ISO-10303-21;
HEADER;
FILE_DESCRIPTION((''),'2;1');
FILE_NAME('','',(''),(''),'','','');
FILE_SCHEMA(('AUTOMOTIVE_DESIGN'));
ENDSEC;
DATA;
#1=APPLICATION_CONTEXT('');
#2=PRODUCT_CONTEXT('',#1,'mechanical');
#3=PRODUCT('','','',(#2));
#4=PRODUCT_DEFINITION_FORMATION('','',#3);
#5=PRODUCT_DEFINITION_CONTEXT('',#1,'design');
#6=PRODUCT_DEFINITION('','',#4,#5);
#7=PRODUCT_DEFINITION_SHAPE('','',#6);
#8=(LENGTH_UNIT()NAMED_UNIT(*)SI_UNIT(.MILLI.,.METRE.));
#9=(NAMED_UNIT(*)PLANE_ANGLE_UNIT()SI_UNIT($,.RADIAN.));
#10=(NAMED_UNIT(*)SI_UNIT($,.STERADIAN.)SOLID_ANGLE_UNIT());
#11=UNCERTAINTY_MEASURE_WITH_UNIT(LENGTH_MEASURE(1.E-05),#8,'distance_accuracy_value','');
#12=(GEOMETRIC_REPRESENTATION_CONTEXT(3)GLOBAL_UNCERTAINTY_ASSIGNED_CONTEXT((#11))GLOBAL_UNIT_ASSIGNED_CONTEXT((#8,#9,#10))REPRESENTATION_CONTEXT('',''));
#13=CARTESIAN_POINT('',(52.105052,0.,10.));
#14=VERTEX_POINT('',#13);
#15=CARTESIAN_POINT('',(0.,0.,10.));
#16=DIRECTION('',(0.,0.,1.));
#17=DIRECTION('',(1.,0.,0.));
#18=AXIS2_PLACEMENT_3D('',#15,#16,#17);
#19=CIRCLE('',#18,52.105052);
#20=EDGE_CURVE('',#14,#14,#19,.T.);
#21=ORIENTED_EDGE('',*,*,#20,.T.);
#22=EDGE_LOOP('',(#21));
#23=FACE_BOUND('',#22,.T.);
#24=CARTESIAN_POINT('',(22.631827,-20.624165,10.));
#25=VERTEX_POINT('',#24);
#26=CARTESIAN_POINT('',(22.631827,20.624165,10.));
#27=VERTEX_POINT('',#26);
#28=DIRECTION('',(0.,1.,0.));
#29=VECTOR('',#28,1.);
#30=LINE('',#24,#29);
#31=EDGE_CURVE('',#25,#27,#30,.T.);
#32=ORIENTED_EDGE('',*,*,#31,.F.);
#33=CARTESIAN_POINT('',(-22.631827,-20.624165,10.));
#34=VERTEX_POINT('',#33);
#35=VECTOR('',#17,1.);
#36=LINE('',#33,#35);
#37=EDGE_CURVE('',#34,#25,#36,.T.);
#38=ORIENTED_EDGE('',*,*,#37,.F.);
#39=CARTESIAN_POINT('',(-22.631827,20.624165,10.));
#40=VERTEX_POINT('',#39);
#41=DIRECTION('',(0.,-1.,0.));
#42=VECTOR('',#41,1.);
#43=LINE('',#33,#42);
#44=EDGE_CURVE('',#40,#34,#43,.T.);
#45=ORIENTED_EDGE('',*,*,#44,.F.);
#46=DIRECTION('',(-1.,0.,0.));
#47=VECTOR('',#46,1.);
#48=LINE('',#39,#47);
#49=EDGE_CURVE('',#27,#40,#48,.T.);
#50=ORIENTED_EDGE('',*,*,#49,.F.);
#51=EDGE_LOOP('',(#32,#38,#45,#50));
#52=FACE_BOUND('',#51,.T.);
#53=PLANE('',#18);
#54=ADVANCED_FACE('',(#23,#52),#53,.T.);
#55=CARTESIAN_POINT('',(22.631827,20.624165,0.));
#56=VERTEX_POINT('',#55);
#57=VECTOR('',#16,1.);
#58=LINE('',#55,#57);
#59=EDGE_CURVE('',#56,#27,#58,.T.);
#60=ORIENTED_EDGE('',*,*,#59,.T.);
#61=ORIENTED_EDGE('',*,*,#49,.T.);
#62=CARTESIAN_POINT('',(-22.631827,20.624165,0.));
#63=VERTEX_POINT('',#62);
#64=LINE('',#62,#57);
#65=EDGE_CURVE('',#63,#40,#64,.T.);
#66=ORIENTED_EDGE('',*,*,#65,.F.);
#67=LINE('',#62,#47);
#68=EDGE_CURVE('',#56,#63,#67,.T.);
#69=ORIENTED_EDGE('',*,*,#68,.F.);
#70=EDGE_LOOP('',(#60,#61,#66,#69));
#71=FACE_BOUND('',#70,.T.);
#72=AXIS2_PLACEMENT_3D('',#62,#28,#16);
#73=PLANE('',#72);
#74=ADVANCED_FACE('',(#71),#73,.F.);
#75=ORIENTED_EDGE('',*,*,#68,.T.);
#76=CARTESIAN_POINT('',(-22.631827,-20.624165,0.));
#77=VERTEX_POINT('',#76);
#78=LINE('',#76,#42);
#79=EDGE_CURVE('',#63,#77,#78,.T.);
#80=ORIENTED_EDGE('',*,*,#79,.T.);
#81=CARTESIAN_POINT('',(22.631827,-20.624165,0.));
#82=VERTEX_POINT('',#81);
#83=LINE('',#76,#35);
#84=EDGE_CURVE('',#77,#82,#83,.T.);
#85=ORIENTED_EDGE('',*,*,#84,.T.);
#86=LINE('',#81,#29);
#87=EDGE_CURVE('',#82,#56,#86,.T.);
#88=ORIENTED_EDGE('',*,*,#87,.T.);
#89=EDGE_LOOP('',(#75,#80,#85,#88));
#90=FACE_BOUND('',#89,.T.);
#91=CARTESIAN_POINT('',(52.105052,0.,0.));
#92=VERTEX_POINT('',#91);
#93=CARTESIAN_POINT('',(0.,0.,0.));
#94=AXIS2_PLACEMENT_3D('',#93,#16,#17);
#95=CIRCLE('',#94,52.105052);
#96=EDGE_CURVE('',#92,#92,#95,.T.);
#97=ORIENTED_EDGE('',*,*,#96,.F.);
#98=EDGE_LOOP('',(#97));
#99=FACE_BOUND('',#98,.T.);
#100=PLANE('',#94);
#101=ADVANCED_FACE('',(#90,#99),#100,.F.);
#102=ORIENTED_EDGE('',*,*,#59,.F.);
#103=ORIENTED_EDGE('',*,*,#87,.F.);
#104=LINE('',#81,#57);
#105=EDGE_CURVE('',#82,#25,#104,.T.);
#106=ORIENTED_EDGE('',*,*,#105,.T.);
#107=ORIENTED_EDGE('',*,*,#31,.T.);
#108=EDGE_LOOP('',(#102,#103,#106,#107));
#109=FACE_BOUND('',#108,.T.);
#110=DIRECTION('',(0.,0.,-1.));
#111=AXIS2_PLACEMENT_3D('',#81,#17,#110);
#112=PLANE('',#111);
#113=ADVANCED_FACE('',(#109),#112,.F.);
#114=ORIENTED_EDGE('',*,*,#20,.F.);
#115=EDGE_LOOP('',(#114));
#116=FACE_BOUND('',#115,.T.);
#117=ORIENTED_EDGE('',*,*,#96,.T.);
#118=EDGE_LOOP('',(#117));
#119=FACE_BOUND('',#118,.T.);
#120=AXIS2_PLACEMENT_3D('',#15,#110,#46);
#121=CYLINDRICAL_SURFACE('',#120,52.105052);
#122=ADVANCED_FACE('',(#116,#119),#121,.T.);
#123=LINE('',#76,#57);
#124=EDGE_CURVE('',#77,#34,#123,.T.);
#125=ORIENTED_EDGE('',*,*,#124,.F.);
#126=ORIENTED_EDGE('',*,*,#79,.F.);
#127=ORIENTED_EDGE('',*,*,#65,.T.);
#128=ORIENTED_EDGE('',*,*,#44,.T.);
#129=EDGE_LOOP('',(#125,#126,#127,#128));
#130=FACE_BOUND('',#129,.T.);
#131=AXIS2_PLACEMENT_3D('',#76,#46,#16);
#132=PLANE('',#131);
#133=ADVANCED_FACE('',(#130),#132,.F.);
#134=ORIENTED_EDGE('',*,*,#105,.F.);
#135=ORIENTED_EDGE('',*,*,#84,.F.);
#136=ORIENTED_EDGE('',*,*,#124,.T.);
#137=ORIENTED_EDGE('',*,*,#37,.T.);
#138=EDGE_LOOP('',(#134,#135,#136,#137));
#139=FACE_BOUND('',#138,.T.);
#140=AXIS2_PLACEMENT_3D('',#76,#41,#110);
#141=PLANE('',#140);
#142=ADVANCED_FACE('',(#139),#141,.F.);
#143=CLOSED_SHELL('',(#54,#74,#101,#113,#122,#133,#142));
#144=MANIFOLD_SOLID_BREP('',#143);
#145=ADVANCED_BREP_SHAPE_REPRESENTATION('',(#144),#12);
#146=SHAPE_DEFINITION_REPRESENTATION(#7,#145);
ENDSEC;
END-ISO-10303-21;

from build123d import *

# Parameters (mm, degrees)
SKETCH1_R           = 52.105052161
BOSS_EXTRUDE1_DEPTH = 10
SKETCH2_W           = 45.263653378
SKETCH2_H           = 41.248329288
CUT_EXTRUDE1_DEPTH  = 75.363115328


with BuildPart() as part:
    # Sketch1 → Boss-Extrude1 (new body)
    with BuildSketch(Plane.XY):
        Circle(SKETCH1_R)
    extrude(amount=BOSS_EXTRUDE1_DEPTH)

    # Sketch2 → Cut-Extrude1 (cut, through all)
    with BuildSketch(Plane.XY.offset(10)):
        Rectangle(SKETCH2_W, SKETCH2_H)
    extrude(amount=-CUT_EXTRUDE1_DEPTH, mode=Mode.SUBTRACT)


solid = part.part
